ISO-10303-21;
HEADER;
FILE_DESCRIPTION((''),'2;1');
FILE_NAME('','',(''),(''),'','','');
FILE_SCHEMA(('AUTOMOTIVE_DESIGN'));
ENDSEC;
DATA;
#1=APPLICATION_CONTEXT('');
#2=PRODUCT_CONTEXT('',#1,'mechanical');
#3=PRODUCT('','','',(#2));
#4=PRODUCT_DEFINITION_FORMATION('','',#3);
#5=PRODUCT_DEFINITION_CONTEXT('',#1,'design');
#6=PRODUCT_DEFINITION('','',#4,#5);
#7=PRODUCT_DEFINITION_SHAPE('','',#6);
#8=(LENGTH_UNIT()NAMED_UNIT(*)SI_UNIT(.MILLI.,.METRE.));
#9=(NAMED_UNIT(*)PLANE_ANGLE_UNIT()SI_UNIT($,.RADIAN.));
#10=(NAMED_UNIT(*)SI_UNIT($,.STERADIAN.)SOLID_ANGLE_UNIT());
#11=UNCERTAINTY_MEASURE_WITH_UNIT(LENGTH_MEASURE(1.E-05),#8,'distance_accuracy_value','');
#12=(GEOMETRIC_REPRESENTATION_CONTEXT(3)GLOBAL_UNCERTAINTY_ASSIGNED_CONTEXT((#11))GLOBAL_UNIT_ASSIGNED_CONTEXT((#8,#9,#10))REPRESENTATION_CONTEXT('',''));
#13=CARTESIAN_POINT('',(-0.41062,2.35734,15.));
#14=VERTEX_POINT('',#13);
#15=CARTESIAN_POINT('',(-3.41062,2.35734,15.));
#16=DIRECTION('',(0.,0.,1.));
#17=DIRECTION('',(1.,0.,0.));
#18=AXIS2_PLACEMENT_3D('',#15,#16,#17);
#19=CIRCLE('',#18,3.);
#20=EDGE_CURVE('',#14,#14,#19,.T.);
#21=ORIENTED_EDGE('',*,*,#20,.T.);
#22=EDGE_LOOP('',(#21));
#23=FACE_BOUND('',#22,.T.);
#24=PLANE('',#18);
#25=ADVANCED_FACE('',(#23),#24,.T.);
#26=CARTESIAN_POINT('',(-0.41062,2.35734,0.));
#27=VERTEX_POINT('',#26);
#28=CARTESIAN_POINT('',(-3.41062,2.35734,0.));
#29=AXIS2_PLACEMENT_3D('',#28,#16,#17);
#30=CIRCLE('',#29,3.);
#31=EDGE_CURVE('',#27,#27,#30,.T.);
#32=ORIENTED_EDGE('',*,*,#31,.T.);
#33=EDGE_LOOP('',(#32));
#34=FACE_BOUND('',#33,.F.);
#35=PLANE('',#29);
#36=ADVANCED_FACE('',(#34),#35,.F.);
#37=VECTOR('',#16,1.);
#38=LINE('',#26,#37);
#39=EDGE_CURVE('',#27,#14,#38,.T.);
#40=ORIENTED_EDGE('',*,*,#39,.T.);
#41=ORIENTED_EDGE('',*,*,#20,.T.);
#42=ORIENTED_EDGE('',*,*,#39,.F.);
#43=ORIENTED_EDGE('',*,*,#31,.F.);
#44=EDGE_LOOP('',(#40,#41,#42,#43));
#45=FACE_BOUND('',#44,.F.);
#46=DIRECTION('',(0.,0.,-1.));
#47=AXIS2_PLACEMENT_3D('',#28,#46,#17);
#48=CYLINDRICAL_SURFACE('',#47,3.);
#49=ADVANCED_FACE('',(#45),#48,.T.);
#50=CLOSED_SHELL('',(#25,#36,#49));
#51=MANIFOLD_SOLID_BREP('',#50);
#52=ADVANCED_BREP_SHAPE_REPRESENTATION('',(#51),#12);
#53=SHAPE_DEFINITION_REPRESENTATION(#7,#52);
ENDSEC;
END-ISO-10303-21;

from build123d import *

# Parameters (mm, degrees)
SKETCH_1_R      = 3
EXTRUDE_1_DEPTH = 15


with BuildPart() as part:
    # 草图1 → 凸台-拉伸1 (new body)
    with BuildSketch(Plane.XY):
        with Locations((-3.410619604, 2.357340021)):
            Circle(SKETCH_1_R)
    extrude(amount=EXTRUDE_1_DEPTH)


solid = part.part
